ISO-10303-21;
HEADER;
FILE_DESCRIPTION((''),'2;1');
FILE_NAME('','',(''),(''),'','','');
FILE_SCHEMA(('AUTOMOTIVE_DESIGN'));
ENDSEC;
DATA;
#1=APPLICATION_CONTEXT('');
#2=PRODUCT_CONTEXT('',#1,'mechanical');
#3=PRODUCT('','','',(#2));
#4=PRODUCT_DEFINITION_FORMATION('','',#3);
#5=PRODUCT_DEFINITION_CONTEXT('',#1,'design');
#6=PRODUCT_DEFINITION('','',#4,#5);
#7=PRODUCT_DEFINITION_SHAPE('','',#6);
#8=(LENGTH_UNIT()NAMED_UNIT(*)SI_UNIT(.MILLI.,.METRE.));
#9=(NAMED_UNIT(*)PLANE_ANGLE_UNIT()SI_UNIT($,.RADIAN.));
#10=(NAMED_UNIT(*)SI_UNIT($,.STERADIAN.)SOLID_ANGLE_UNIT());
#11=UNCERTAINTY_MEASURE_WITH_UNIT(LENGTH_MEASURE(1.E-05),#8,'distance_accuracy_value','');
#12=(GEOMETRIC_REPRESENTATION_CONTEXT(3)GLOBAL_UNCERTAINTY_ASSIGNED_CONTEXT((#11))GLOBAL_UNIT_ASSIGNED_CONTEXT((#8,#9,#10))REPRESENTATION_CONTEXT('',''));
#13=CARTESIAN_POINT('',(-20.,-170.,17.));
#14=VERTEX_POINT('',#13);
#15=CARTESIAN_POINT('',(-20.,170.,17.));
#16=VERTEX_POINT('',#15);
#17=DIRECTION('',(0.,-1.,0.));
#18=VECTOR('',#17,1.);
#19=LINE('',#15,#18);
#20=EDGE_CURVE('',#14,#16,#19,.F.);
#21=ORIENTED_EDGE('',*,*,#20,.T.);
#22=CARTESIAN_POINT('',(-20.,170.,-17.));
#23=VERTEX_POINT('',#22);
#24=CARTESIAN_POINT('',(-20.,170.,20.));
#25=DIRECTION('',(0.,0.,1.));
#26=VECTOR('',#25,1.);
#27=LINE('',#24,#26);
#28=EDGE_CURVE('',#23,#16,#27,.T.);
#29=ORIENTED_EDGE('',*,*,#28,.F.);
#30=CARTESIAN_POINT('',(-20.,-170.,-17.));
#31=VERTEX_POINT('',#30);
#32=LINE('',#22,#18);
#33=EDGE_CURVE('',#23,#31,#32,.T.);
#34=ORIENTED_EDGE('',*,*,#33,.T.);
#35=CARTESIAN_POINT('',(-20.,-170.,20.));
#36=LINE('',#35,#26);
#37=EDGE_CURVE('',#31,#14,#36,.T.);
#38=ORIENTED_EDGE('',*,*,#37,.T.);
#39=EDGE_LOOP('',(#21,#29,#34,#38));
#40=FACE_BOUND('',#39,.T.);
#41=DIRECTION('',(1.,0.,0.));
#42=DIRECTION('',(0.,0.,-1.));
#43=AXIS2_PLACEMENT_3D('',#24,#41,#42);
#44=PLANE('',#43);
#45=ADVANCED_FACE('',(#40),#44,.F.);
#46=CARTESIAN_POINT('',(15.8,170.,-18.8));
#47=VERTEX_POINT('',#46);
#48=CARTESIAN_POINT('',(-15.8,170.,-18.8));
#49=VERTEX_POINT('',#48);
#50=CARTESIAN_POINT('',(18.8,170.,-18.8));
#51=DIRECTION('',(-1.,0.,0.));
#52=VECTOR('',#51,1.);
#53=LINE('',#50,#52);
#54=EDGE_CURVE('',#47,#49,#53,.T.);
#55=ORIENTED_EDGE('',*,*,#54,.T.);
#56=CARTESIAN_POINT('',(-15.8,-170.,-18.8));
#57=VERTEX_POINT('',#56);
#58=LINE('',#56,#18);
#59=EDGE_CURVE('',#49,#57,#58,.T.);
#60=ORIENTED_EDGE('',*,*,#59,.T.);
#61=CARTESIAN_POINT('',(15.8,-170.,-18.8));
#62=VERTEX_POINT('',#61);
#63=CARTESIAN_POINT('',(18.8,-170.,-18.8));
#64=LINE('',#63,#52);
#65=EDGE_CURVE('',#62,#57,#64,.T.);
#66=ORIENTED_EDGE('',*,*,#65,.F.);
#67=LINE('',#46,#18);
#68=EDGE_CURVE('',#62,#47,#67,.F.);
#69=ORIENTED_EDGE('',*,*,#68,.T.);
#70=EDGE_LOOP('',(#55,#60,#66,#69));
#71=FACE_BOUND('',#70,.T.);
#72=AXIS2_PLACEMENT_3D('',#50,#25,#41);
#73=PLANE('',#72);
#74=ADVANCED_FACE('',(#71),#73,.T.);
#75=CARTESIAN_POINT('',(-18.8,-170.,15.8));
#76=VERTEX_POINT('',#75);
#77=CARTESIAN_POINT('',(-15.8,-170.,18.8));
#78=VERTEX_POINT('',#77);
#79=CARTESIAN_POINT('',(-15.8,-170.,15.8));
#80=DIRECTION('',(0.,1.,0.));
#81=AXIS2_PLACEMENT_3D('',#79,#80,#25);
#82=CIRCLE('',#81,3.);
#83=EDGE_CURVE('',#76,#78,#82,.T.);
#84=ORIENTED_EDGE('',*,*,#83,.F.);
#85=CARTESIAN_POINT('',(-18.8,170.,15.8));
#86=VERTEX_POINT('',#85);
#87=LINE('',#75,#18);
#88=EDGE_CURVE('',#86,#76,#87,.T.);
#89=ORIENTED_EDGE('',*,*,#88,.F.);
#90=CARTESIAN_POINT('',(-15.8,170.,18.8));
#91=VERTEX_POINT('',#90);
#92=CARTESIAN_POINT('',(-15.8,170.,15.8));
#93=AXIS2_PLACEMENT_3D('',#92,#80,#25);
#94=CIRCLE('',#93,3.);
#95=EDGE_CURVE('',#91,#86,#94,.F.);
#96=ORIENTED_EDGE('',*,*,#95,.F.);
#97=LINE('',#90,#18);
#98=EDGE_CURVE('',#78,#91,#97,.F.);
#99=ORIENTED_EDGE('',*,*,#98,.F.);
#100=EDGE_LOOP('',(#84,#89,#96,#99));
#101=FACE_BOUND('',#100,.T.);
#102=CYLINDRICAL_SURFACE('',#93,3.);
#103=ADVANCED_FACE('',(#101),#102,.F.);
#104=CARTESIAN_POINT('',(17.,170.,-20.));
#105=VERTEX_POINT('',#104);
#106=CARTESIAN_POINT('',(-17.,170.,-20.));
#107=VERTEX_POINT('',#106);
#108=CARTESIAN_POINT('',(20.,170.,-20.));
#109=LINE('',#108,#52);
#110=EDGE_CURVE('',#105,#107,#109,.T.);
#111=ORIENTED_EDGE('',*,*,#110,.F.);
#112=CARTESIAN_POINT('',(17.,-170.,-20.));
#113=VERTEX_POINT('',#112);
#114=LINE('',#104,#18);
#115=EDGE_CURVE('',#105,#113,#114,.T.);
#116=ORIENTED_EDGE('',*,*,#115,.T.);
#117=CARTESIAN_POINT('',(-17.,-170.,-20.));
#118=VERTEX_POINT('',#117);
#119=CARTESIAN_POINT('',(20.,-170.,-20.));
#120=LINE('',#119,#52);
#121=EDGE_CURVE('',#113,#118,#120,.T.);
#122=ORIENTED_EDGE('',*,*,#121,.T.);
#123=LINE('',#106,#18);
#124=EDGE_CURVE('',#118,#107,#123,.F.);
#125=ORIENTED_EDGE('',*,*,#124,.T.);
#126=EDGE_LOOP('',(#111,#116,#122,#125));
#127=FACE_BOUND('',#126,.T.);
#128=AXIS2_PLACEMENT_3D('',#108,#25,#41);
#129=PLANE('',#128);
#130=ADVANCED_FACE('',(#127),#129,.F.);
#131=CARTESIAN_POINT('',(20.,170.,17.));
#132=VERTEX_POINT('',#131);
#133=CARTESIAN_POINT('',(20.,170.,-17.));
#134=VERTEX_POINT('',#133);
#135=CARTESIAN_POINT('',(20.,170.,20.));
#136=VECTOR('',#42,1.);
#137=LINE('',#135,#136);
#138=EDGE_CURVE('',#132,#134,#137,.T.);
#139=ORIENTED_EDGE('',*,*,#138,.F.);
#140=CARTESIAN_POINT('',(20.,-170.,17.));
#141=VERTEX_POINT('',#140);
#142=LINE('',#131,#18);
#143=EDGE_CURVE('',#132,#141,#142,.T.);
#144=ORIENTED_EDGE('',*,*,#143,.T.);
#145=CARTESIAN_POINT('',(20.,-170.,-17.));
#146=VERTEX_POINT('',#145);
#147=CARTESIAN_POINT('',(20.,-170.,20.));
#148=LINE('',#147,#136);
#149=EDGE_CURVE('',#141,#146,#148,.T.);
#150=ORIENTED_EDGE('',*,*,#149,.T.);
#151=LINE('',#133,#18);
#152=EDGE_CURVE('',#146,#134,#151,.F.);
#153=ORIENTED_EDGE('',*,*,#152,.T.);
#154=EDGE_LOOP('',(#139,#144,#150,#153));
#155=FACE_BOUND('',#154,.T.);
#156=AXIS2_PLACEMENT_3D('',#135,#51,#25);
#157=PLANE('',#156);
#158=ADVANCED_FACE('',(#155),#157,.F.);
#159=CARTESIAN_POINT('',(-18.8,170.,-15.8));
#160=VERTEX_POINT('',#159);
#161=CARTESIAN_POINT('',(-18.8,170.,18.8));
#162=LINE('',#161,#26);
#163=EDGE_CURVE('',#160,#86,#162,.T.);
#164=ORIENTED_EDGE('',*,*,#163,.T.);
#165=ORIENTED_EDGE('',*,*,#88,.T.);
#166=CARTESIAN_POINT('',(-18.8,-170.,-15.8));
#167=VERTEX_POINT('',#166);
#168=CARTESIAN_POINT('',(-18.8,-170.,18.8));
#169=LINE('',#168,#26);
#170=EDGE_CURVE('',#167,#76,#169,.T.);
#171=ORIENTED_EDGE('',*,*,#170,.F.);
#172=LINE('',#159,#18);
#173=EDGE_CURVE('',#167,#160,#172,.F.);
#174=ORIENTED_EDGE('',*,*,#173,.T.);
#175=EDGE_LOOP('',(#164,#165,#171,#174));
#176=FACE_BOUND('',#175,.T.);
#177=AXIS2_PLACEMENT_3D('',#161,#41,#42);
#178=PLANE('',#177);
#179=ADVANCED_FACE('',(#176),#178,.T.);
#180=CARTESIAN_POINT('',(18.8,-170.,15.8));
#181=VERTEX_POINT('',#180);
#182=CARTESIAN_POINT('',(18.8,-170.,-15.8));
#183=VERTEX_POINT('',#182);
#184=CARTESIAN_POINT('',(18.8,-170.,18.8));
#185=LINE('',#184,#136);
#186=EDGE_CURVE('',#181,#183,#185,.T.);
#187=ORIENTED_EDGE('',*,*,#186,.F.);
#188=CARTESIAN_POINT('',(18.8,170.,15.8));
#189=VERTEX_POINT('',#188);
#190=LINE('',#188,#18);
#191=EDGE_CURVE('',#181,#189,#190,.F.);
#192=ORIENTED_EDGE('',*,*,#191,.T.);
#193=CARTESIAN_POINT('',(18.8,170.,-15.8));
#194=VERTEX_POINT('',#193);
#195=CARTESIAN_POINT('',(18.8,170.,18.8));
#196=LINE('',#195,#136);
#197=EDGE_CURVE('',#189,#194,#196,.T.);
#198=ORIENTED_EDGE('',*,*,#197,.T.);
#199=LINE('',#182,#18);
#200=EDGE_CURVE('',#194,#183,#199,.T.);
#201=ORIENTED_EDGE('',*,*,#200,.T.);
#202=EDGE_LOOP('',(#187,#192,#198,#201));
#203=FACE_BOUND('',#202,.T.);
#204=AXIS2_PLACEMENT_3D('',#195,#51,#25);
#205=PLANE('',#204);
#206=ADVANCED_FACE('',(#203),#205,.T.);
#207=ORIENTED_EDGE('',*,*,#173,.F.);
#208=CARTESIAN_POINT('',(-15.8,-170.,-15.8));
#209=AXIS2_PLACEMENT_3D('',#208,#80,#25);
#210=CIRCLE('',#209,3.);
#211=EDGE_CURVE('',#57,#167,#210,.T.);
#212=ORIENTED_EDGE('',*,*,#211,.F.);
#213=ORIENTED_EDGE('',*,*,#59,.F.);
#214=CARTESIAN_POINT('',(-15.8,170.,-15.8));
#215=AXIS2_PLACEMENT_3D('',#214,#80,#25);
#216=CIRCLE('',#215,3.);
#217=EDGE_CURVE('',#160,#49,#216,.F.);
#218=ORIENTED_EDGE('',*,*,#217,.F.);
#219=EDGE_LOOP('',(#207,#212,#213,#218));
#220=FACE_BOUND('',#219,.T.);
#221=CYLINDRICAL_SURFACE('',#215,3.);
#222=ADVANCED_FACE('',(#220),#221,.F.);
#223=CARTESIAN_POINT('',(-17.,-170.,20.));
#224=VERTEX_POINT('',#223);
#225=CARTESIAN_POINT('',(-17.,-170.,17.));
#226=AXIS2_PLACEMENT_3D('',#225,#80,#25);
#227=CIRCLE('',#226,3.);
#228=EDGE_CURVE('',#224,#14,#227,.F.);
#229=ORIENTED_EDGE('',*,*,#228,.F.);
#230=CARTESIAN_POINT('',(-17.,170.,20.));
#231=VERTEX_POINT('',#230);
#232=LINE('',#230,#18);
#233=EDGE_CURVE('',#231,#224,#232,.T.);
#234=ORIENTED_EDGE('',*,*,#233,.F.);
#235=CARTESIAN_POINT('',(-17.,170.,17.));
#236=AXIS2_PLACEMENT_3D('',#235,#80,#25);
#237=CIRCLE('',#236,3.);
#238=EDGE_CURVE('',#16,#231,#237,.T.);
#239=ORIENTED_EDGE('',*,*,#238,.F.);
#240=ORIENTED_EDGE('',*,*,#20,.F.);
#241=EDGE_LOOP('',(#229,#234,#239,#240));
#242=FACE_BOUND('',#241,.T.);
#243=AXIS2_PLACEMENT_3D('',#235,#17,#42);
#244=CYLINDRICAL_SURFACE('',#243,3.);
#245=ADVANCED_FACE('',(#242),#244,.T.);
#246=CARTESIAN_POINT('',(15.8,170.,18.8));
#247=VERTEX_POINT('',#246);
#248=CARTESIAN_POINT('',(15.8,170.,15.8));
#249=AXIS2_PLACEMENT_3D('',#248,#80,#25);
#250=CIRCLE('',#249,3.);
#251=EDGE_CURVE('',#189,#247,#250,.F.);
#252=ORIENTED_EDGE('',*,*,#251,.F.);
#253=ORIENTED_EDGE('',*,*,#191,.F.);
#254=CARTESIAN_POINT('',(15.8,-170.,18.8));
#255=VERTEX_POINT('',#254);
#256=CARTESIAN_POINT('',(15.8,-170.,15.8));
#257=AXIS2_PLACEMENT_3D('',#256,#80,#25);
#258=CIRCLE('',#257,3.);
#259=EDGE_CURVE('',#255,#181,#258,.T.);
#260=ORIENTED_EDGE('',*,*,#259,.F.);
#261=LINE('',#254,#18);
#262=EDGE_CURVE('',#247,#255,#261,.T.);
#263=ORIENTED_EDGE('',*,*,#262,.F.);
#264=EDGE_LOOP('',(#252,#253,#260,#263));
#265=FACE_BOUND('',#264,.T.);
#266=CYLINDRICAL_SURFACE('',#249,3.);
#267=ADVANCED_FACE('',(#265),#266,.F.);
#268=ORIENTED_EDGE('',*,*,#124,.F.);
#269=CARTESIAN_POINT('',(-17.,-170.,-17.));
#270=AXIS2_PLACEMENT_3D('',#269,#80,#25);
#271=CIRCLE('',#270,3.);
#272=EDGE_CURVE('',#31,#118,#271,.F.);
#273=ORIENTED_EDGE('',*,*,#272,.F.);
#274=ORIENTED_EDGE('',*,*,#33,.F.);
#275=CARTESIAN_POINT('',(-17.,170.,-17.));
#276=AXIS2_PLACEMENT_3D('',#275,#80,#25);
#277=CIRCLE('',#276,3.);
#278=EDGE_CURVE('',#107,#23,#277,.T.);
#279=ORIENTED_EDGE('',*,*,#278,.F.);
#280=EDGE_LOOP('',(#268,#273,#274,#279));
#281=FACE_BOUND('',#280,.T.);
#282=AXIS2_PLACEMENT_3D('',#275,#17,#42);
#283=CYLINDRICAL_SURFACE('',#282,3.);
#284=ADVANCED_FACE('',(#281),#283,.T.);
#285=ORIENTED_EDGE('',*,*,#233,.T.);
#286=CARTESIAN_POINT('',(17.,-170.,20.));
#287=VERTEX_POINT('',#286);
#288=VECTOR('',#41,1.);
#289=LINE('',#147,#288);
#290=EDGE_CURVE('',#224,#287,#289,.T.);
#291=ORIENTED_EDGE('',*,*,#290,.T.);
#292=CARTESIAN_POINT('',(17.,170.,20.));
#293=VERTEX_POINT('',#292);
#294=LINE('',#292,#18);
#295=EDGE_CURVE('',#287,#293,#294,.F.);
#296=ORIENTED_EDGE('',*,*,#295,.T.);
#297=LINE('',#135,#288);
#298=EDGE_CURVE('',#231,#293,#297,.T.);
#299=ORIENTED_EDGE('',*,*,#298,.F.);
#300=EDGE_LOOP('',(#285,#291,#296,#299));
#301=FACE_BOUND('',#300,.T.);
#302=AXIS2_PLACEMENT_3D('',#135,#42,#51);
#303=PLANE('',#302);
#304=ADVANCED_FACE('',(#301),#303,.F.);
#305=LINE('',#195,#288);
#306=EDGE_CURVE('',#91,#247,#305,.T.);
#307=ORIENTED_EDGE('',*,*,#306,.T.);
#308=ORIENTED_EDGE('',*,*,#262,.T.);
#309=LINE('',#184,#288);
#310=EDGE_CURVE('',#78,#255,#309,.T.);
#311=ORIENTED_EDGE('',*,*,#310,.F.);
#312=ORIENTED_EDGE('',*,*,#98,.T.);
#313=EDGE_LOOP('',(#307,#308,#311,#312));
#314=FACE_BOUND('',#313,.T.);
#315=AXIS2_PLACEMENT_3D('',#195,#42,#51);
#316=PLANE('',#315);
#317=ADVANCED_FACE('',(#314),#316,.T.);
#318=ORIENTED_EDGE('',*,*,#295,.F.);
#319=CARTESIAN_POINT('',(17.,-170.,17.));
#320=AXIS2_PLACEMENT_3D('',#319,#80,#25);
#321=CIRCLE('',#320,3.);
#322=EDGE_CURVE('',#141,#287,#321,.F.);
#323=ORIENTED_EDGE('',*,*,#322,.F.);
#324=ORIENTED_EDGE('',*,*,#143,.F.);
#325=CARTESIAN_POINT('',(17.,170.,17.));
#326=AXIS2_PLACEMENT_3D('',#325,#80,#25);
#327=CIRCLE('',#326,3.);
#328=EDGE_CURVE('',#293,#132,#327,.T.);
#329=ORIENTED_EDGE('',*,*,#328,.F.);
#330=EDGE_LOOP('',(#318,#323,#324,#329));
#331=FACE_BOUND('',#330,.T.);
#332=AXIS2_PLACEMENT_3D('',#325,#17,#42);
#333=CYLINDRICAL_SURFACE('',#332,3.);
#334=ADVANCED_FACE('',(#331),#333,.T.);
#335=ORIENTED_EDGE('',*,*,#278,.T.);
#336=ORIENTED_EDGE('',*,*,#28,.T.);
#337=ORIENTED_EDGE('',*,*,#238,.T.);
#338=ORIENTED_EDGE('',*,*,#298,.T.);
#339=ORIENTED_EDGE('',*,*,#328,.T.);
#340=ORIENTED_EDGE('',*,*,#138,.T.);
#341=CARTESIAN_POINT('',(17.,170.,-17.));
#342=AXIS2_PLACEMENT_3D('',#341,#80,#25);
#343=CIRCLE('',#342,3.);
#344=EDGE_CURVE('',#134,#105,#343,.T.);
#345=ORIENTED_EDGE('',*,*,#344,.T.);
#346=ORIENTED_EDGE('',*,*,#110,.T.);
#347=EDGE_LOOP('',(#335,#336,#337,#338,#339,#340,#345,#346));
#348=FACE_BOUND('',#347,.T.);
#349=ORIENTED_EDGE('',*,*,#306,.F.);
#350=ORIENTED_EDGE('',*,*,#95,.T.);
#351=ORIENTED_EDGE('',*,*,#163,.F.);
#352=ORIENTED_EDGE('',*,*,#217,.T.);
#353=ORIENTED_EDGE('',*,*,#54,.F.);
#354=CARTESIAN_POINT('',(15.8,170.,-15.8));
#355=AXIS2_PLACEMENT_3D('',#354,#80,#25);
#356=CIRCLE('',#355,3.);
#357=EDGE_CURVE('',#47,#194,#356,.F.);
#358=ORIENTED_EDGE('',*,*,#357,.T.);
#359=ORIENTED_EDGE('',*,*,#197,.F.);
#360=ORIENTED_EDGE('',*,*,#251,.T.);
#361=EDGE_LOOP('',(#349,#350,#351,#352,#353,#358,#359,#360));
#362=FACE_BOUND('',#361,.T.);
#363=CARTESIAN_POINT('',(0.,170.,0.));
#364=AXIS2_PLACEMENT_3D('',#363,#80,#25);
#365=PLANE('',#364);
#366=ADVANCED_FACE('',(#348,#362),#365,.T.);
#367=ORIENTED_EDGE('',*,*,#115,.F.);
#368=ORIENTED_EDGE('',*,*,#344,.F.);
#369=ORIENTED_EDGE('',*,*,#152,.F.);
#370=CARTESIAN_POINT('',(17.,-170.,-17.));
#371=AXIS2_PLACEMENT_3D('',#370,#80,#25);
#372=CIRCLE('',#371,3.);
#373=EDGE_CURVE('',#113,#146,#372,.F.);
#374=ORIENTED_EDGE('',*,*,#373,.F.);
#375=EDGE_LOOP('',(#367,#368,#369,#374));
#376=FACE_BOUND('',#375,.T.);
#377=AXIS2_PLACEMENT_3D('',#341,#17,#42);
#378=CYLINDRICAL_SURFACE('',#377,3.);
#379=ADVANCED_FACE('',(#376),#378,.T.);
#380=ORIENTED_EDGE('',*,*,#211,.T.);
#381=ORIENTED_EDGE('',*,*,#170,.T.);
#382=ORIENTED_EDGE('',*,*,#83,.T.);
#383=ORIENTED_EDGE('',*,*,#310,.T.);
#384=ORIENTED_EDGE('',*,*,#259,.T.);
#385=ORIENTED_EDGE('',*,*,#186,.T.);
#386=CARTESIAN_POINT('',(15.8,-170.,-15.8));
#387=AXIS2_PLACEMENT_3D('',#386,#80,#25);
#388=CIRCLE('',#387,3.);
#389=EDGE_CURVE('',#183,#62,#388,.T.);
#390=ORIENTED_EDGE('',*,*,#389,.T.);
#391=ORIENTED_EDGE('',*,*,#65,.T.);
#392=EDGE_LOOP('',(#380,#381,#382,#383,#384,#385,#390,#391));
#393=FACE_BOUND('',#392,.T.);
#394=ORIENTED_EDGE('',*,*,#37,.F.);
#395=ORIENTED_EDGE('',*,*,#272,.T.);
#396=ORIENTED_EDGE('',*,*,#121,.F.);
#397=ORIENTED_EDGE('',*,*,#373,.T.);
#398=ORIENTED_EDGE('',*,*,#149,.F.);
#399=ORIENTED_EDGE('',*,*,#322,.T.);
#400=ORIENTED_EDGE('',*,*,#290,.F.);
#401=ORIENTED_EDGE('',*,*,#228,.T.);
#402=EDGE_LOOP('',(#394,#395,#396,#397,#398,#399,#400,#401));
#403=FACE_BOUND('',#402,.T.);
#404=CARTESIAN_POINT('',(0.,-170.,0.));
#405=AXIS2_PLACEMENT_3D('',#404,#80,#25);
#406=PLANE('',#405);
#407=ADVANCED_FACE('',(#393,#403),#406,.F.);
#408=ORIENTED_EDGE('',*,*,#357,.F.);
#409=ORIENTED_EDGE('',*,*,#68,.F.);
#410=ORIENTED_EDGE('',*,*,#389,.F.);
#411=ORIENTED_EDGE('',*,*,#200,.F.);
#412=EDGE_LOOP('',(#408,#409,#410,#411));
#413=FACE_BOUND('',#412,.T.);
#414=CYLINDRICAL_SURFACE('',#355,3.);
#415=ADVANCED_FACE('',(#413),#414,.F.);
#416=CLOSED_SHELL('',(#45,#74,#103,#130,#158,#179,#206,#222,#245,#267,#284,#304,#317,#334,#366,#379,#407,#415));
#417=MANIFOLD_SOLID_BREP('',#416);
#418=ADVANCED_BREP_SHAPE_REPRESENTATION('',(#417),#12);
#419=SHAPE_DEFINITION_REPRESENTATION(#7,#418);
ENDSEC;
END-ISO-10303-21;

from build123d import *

# Parameters (mm, degrees)
ESBO_O1_W                = 40
ESBO_O1_H                = 40
ESBO_O1_W_2              = 37.6
ESBO_O1_H_2              = 37.6
RESSALTO_EXTRUS_O1_DEPTH = 170
FILETE1_R                = 3


with BuildPart() as part:
    # Esboço1 → Ressalto-extrusão1 (new, symmetric)
    with BuildSketch(Plane(origin=(0, 0, 0), x_dir=(1, 0, 0), z_dir=(0, 1, 0))):
        Rectangle(ESBO_O1_W, ESBO_O1_H)
        Rectangle(ESBO_O1_W_2, ESBO_O1_H_2, mode=Mode.SUBTRACT)
    extrude(amount=RESSALTO_EXTRUS_O1_DEPTH, both=True)

    # Filete1
    filete1_edges = [part.edges().sort_by_distance(p)[0] for p in [
        (-18.8, 0, 18.8),
        (18.8, 0, 18.8),
        (18.8, 0, -18.8),
        (-18.8, 0, -18.8),
        (-20, 0, -20),
        (20, 0, -20),
        (20, 0, 20),
        (-20, 0, 20),
    ]]
    fillet(filete1_edges, radius=FILETE1_R)


solid = part.part
